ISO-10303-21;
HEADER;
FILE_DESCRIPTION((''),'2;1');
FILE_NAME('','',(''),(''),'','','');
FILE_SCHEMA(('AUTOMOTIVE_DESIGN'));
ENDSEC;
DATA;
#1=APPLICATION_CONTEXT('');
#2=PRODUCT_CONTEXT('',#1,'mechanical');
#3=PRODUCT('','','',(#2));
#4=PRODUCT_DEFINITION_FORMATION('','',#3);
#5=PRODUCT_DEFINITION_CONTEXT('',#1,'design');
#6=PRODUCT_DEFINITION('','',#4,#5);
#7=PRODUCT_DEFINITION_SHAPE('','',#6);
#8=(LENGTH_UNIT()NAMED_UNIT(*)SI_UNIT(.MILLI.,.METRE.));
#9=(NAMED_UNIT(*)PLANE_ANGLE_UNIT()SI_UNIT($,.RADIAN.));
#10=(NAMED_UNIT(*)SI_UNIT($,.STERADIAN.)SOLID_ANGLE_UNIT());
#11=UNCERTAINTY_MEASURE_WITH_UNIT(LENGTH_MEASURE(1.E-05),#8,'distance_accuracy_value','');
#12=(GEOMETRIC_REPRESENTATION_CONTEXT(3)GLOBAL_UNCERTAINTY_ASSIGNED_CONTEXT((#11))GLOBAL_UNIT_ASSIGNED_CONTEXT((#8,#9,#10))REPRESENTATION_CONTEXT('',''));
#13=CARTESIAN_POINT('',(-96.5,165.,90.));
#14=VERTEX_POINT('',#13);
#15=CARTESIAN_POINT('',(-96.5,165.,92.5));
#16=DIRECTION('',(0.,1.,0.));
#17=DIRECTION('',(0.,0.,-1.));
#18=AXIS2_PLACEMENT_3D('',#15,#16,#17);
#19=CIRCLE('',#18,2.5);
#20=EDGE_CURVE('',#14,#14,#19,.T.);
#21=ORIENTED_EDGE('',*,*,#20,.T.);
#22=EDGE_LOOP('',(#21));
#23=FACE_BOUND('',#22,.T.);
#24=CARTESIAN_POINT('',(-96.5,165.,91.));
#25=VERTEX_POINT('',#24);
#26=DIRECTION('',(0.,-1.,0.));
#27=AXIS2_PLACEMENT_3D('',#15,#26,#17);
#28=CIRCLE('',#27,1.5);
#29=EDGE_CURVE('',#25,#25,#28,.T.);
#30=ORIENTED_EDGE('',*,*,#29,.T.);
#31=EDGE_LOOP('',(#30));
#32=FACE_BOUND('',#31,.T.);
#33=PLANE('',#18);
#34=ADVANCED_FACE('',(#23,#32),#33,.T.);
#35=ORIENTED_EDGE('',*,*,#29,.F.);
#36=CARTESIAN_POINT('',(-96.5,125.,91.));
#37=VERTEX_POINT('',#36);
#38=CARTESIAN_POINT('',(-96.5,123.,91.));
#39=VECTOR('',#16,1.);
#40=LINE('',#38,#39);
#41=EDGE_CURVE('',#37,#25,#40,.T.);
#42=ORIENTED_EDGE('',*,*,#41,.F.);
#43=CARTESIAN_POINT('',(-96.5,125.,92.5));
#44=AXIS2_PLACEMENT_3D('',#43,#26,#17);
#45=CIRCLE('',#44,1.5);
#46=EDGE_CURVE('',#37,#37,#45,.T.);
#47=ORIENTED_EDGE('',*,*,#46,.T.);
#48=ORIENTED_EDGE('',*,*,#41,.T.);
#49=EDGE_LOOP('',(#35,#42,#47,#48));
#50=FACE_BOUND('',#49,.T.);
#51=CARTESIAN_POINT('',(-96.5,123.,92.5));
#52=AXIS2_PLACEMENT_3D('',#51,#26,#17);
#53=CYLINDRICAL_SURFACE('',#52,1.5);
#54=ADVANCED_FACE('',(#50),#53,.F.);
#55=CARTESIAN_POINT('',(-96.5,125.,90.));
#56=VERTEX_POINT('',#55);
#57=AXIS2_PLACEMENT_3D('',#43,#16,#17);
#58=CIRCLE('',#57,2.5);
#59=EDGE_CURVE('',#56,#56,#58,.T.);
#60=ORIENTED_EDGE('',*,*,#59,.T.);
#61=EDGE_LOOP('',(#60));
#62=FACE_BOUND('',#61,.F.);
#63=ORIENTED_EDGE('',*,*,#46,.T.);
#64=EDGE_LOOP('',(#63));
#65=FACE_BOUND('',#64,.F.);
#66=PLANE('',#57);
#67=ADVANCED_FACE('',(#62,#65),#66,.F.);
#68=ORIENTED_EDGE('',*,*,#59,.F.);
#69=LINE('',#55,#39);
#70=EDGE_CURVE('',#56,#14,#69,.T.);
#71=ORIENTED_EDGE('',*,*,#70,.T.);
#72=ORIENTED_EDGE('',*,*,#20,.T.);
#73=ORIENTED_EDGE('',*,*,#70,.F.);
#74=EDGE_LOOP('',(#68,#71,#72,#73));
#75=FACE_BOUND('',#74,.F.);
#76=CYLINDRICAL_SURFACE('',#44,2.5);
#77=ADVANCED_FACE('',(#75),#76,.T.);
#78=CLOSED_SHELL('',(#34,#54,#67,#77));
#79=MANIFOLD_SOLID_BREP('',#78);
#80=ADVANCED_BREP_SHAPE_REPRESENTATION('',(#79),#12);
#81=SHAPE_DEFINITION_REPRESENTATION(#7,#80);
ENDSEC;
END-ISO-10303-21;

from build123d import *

# Parameters (mm, degrees)
CYLINDER007_R           = 1.5
CYLINDER007_DEPTH       = 44
CYLINDER007_PITCH_ANGLE = 90
CYLINDER006_R           = 2.5
CYLINDER006_DEPTH       = 40
CYLINDER006_PITCH_ANGLE = 90
CUT007_PLACEMENT_ANGLE  = 90


with BuildPart() as cilindro007:
    # Cylinder007 → Cylinder007 (new body)
    with BuildSketch(Plane.XY):
        Circle(CYLINDER007_R)
    extrude(amount=CYLINDER007_DEPTH)


with BuildPart() as cilindro007_1:
    # Cylinder007 pitch: moved
    add(cilindro007.part.rotate(Axis((0, 0, 0), (0, 1, 0)), CYLINDER007_PITCH_ANGLE))


with BuildPart() as cilindro007_2:
    # Cylinder007 placement: moved
    add(cilindro007_1.part.moved(Location((-2, 0, 0))))


with BuildPart() as soporte008:
    # Cylinder006 → Cylinder006 (new body)
    with BuildSketch(Plane.XY):
        Circle(CYLINDER006_R)
    extrude(amount=CYLINDER006_DEPTH)


with BuildPart() as soporte008_1:
    # Cylinder006 pitch: moved
    add(soporte008.part.rotate(Axis((0, 0, 0), (0, 1, 0)), CYLINDER006_PITCH_ANGLE))


with BuildPart() as soporte008_2:
    # Cylinder006 placement: moved
    add(soporte008_1.part)

    # Cut007: cut Cilindro007
    add(cilindro007_2.part, mode=Mode.SUBTRACT)


with BuildPart() as soporte008_3:
    # Cut007 placement: moved
    add(soporte008_2.part.moved(Location((-96.5, 125, 92.5))).rotate(Axis((-96.5, 125, 92.5), (0, 0, 1)), CUT007_PLACEMENT_ANGLE))


solid = soporte008_3.part
